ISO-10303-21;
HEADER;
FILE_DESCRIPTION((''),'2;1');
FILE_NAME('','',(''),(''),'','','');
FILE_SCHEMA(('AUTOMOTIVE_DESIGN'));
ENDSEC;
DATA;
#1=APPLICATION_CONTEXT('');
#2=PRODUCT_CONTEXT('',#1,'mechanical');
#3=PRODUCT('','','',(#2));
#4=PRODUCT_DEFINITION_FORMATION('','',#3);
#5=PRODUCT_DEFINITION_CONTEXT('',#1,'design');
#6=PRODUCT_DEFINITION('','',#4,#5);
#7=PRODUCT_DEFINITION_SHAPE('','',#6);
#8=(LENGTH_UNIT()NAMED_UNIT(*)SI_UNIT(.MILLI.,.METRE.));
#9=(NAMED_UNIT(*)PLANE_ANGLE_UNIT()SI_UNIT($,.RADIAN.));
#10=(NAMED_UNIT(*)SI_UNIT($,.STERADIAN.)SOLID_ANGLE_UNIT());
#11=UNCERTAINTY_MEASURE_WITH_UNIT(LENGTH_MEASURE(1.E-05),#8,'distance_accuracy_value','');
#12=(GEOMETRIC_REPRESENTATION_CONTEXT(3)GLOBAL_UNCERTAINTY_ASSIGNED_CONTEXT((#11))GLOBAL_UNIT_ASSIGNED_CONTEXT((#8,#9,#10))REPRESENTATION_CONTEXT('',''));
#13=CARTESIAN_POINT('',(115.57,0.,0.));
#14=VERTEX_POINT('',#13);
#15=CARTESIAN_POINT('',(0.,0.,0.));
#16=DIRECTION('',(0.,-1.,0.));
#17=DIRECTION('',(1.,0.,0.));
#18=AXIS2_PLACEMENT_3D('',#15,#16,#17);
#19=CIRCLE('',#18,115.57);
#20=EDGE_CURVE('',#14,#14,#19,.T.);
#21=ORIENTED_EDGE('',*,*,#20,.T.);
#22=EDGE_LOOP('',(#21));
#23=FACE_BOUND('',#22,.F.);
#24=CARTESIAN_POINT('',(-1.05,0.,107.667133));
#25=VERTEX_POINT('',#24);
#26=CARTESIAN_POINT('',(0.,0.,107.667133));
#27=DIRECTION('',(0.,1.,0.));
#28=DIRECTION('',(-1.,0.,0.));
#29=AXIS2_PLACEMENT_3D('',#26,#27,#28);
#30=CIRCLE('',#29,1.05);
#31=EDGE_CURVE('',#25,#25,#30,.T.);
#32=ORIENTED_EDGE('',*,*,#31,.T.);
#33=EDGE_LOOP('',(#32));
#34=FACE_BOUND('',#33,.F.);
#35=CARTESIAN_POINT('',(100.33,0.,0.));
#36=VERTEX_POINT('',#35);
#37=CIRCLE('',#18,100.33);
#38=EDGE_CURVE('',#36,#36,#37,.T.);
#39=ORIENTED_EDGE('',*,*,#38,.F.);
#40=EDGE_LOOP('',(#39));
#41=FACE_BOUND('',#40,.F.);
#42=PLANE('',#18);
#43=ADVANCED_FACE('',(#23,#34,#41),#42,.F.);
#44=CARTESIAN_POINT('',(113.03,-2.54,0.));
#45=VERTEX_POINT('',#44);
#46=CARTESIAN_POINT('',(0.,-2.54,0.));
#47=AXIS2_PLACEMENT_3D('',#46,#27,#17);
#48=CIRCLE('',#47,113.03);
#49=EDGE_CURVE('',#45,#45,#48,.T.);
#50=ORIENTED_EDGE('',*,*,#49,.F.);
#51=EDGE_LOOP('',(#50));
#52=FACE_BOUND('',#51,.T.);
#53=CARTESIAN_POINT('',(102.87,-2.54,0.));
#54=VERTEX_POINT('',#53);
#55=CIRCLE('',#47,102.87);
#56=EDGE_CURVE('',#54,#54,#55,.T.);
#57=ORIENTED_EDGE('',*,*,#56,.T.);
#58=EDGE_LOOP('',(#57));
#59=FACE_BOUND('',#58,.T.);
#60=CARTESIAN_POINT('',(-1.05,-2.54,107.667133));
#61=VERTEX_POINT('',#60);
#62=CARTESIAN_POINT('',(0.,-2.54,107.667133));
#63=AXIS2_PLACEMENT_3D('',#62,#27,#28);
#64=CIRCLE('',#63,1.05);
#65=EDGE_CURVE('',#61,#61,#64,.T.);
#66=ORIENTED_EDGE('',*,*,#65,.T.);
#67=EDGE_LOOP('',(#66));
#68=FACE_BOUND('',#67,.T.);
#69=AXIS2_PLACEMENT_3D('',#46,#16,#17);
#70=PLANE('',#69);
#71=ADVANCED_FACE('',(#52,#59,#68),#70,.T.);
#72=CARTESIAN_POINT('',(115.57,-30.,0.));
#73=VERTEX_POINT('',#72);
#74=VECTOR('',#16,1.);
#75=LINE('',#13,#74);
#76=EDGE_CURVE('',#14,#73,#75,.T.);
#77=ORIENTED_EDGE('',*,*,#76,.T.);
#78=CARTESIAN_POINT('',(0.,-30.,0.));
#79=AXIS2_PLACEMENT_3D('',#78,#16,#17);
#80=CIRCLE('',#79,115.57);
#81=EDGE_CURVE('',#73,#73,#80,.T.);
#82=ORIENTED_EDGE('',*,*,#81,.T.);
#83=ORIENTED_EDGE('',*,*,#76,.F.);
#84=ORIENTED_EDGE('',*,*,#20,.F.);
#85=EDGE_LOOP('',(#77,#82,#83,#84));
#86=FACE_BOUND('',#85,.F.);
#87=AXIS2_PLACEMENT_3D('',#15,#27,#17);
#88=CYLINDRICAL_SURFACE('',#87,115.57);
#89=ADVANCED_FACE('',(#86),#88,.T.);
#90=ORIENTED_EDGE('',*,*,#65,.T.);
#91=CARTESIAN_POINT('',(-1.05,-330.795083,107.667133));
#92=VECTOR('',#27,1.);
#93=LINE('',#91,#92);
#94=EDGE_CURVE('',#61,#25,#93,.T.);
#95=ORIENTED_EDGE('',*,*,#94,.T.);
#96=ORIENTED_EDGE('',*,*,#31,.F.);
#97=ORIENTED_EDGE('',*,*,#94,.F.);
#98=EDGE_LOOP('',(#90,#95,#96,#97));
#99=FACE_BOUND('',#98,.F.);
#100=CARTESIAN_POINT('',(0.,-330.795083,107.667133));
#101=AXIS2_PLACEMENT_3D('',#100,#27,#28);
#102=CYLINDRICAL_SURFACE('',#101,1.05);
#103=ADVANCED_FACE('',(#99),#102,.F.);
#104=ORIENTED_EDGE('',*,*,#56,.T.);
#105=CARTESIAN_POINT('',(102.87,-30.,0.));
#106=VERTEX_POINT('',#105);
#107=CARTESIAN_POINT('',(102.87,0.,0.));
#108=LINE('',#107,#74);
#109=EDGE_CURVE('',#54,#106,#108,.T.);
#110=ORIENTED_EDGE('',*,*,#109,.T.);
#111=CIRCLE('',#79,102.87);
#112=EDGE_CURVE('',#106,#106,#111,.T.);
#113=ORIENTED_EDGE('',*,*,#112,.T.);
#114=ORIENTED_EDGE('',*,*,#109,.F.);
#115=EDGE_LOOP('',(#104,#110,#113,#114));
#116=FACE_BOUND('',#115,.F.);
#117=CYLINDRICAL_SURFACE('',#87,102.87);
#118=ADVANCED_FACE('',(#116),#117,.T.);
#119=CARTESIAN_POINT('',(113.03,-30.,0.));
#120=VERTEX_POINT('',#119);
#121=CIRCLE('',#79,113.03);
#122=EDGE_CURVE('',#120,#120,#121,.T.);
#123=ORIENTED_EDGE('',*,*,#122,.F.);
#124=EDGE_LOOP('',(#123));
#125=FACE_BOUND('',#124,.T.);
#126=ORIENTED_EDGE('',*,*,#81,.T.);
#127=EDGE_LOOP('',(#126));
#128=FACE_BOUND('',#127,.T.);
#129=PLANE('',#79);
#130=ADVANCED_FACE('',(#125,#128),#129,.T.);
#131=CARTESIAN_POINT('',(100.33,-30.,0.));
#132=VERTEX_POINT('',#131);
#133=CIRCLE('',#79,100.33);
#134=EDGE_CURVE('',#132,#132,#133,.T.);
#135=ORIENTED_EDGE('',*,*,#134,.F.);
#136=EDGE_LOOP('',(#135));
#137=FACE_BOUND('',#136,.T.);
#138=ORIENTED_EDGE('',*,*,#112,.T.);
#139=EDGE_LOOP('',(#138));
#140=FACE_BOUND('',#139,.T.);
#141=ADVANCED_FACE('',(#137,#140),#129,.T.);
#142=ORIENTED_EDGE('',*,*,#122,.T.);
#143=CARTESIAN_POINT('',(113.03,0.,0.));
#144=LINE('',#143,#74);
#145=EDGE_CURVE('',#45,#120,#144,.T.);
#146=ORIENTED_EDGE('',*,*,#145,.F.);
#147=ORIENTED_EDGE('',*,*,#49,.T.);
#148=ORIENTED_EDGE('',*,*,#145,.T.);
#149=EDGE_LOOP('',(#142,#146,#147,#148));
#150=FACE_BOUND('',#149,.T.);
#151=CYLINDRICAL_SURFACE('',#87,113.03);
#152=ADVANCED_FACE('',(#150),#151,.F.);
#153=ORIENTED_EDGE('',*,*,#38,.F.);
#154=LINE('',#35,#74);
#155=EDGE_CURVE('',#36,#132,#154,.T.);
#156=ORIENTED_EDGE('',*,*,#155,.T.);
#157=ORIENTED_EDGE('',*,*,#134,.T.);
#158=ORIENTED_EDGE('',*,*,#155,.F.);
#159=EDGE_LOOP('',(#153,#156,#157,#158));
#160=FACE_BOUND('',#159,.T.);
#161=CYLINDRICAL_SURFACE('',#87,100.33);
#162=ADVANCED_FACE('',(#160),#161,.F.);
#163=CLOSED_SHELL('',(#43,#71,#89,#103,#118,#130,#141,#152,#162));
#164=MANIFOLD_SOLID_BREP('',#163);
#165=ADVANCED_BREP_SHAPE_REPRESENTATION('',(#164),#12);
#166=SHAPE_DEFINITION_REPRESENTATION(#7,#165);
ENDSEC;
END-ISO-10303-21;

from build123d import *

# Parameters (mm, degrees)
F0_R     = 115.57
F0_R_2   = 100.33
F1_DEPTH = 30
F2_T     = -2.54
F4_D     = 2.1


with BuildPart() as f1:
    # F0 (on Front) → F1 (new body)
    with BuildSketch(Plane.XZ):
        Circle(F0_R)
        Circle(F0_R_2, mode=Mode.SUBTRACT)
    extrude(amount=F1_DEPTH)

    # F2
    f2_openings = [f1.faces().sort_by_distance(p)[0] for p in [
        (-112.301187, -30, 0),
    ]]
    offset(amount=F2_T, openings=f2_openings)

    # F4 (through all)
    with Locations(Plane.XZ.offset(2.54)):
        with Locations((0, 107.667133)):
            Hole(F4_D / 2)


solid = f1.part
